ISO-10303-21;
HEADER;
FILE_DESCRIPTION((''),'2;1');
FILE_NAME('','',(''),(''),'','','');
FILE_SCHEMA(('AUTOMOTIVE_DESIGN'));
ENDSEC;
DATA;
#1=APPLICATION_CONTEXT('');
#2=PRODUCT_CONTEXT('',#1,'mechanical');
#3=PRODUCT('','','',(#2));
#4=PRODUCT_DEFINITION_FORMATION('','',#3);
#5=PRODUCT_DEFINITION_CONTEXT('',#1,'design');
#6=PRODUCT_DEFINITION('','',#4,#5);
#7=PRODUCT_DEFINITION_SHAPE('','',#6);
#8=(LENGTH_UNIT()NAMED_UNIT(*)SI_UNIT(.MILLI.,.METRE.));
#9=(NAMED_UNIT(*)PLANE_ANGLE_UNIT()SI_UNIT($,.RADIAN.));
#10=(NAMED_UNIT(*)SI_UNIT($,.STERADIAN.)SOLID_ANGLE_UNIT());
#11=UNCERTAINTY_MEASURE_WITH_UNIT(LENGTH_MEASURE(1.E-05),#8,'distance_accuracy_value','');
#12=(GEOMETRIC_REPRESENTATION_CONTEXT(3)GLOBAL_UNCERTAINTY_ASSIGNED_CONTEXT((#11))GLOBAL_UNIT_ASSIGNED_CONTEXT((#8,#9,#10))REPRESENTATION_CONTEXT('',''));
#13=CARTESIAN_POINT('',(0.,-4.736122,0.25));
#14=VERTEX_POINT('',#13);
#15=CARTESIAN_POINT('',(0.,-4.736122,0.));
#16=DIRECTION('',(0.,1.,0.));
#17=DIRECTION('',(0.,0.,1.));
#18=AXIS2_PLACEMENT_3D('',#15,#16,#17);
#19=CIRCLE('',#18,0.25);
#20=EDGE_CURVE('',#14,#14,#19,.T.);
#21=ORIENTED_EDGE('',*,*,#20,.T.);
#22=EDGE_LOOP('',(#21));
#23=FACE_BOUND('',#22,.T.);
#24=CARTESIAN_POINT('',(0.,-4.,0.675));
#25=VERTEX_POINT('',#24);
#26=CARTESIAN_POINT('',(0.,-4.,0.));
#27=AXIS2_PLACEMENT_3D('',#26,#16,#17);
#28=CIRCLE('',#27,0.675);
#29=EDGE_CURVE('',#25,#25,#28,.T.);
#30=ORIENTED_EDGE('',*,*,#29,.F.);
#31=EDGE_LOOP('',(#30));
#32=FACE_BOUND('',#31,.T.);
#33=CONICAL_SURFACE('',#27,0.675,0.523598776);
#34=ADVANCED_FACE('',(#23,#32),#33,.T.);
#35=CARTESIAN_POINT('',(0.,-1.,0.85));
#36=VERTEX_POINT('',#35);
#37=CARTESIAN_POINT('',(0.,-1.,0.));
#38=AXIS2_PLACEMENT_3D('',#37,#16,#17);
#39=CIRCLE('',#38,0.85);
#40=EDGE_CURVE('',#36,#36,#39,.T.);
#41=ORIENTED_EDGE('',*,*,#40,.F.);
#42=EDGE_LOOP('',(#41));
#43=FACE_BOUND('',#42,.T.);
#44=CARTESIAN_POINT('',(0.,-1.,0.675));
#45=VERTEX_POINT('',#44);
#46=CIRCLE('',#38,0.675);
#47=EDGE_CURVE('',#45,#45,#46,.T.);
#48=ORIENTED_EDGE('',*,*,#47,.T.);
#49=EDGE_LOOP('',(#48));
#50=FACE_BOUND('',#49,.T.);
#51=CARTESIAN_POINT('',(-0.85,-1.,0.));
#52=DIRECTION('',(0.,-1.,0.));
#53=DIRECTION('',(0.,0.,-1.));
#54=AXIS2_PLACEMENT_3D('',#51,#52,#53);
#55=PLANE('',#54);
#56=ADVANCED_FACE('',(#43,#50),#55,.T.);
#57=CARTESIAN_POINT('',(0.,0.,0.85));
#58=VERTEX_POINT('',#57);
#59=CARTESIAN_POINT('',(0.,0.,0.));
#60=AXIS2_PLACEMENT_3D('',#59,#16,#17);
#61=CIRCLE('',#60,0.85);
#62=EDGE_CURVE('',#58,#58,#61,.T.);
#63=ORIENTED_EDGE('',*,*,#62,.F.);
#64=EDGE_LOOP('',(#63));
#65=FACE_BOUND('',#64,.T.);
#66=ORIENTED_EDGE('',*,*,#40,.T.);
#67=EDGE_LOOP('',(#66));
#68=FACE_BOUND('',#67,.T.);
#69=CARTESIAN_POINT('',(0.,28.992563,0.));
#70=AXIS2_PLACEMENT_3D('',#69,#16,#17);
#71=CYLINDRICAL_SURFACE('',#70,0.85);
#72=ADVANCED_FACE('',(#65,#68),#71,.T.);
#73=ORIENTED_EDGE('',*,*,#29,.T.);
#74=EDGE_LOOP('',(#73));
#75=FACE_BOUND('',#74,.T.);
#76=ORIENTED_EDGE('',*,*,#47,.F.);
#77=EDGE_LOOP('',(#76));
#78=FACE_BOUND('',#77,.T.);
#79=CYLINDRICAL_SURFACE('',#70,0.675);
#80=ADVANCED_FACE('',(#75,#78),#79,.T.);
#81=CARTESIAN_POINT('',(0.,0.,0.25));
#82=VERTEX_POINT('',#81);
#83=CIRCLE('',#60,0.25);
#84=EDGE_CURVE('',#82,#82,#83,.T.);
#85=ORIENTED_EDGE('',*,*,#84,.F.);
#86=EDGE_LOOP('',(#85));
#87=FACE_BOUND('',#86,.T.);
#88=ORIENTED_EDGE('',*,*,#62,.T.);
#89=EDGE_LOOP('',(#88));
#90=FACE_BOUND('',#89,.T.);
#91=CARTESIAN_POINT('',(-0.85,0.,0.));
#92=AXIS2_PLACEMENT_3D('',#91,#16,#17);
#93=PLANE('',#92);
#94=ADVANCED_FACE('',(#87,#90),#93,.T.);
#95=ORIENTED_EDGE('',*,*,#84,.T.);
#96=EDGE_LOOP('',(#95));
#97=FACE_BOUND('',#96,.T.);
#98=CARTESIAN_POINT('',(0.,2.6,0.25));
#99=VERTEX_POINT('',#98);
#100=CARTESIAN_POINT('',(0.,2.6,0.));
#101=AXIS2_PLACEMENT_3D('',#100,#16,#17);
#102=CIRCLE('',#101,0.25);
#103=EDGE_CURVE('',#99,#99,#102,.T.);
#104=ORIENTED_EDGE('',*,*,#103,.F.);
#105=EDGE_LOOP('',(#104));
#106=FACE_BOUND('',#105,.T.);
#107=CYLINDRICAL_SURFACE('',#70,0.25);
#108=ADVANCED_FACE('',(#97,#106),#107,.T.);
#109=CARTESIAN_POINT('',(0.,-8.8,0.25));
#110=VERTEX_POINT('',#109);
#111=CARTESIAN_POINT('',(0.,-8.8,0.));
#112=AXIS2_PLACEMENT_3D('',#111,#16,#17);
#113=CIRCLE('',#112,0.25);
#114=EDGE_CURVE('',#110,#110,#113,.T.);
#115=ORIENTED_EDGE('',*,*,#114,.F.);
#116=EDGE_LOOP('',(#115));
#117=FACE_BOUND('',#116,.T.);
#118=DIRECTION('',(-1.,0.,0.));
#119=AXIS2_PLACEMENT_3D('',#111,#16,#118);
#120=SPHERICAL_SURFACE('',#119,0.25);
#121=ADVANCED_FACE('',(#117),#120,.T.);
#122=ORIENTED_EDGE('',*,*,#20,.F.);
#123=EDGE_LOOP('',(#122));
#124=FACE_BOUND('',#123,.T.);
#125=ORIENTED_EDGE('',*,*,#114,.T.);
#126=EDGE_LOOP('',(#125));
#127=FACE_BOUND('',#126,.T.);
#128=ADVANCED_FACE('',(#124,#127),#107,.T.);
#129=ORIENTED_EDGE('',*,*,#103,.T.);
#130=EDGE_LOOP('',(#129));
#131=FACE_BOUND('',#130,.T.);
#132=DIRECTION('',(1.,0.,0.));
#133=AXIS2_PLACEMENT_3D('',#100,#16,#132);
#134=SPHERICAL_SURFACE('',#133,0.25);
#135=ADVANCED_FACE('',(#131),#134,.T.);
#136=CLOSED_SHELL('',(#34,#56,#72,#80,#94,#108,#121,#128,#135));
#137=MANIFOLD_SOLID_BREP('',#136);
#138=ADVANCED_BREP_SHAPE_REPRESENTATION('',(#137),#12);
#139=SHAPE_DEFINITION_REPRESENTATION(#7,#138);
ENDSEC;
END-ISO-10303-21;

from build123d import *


with BuildPart() as part:
    # Sketch1 → Revolve1 (revolve)
    with BuildSketch(Plane.XY, mode=Mode.PRIVATE) as revolve1_sk:
        with BuildLine():
            Line((-0.85, 0), (-0.85, -1))
            Line((-0.85, -1), (-0.675, -1))
            Line((-0.675, -1), (-0.675, -4))
            Line((-0.675, -4), (-0.25, -4.736121593))
            Line((-0.25, -4.736121593), (-0.25, -8.8))
            ThreePointArc((-0.25, -8.8), (-0.176776695, -8.976776695), (0, -9.05))
            Line((0, -9.05), (0, 2.85))
            ThreePointArc((0, 2.85), (-0.176776695, 2.776776695), (-0.25, 2.6))
            Line((-0.25, 2.6), (-0.25, 0))
            Line((-0.25, 0), (-0.85, 0))
        make_face()
    revolve(revolve1_sk.sketch.rotate(Axis((0, 28.992562867, 0), (0, -1, 0)), 270), axis=Axis((0, 28.992562867, 0), (0, -1, 0)))


solid = part.part
